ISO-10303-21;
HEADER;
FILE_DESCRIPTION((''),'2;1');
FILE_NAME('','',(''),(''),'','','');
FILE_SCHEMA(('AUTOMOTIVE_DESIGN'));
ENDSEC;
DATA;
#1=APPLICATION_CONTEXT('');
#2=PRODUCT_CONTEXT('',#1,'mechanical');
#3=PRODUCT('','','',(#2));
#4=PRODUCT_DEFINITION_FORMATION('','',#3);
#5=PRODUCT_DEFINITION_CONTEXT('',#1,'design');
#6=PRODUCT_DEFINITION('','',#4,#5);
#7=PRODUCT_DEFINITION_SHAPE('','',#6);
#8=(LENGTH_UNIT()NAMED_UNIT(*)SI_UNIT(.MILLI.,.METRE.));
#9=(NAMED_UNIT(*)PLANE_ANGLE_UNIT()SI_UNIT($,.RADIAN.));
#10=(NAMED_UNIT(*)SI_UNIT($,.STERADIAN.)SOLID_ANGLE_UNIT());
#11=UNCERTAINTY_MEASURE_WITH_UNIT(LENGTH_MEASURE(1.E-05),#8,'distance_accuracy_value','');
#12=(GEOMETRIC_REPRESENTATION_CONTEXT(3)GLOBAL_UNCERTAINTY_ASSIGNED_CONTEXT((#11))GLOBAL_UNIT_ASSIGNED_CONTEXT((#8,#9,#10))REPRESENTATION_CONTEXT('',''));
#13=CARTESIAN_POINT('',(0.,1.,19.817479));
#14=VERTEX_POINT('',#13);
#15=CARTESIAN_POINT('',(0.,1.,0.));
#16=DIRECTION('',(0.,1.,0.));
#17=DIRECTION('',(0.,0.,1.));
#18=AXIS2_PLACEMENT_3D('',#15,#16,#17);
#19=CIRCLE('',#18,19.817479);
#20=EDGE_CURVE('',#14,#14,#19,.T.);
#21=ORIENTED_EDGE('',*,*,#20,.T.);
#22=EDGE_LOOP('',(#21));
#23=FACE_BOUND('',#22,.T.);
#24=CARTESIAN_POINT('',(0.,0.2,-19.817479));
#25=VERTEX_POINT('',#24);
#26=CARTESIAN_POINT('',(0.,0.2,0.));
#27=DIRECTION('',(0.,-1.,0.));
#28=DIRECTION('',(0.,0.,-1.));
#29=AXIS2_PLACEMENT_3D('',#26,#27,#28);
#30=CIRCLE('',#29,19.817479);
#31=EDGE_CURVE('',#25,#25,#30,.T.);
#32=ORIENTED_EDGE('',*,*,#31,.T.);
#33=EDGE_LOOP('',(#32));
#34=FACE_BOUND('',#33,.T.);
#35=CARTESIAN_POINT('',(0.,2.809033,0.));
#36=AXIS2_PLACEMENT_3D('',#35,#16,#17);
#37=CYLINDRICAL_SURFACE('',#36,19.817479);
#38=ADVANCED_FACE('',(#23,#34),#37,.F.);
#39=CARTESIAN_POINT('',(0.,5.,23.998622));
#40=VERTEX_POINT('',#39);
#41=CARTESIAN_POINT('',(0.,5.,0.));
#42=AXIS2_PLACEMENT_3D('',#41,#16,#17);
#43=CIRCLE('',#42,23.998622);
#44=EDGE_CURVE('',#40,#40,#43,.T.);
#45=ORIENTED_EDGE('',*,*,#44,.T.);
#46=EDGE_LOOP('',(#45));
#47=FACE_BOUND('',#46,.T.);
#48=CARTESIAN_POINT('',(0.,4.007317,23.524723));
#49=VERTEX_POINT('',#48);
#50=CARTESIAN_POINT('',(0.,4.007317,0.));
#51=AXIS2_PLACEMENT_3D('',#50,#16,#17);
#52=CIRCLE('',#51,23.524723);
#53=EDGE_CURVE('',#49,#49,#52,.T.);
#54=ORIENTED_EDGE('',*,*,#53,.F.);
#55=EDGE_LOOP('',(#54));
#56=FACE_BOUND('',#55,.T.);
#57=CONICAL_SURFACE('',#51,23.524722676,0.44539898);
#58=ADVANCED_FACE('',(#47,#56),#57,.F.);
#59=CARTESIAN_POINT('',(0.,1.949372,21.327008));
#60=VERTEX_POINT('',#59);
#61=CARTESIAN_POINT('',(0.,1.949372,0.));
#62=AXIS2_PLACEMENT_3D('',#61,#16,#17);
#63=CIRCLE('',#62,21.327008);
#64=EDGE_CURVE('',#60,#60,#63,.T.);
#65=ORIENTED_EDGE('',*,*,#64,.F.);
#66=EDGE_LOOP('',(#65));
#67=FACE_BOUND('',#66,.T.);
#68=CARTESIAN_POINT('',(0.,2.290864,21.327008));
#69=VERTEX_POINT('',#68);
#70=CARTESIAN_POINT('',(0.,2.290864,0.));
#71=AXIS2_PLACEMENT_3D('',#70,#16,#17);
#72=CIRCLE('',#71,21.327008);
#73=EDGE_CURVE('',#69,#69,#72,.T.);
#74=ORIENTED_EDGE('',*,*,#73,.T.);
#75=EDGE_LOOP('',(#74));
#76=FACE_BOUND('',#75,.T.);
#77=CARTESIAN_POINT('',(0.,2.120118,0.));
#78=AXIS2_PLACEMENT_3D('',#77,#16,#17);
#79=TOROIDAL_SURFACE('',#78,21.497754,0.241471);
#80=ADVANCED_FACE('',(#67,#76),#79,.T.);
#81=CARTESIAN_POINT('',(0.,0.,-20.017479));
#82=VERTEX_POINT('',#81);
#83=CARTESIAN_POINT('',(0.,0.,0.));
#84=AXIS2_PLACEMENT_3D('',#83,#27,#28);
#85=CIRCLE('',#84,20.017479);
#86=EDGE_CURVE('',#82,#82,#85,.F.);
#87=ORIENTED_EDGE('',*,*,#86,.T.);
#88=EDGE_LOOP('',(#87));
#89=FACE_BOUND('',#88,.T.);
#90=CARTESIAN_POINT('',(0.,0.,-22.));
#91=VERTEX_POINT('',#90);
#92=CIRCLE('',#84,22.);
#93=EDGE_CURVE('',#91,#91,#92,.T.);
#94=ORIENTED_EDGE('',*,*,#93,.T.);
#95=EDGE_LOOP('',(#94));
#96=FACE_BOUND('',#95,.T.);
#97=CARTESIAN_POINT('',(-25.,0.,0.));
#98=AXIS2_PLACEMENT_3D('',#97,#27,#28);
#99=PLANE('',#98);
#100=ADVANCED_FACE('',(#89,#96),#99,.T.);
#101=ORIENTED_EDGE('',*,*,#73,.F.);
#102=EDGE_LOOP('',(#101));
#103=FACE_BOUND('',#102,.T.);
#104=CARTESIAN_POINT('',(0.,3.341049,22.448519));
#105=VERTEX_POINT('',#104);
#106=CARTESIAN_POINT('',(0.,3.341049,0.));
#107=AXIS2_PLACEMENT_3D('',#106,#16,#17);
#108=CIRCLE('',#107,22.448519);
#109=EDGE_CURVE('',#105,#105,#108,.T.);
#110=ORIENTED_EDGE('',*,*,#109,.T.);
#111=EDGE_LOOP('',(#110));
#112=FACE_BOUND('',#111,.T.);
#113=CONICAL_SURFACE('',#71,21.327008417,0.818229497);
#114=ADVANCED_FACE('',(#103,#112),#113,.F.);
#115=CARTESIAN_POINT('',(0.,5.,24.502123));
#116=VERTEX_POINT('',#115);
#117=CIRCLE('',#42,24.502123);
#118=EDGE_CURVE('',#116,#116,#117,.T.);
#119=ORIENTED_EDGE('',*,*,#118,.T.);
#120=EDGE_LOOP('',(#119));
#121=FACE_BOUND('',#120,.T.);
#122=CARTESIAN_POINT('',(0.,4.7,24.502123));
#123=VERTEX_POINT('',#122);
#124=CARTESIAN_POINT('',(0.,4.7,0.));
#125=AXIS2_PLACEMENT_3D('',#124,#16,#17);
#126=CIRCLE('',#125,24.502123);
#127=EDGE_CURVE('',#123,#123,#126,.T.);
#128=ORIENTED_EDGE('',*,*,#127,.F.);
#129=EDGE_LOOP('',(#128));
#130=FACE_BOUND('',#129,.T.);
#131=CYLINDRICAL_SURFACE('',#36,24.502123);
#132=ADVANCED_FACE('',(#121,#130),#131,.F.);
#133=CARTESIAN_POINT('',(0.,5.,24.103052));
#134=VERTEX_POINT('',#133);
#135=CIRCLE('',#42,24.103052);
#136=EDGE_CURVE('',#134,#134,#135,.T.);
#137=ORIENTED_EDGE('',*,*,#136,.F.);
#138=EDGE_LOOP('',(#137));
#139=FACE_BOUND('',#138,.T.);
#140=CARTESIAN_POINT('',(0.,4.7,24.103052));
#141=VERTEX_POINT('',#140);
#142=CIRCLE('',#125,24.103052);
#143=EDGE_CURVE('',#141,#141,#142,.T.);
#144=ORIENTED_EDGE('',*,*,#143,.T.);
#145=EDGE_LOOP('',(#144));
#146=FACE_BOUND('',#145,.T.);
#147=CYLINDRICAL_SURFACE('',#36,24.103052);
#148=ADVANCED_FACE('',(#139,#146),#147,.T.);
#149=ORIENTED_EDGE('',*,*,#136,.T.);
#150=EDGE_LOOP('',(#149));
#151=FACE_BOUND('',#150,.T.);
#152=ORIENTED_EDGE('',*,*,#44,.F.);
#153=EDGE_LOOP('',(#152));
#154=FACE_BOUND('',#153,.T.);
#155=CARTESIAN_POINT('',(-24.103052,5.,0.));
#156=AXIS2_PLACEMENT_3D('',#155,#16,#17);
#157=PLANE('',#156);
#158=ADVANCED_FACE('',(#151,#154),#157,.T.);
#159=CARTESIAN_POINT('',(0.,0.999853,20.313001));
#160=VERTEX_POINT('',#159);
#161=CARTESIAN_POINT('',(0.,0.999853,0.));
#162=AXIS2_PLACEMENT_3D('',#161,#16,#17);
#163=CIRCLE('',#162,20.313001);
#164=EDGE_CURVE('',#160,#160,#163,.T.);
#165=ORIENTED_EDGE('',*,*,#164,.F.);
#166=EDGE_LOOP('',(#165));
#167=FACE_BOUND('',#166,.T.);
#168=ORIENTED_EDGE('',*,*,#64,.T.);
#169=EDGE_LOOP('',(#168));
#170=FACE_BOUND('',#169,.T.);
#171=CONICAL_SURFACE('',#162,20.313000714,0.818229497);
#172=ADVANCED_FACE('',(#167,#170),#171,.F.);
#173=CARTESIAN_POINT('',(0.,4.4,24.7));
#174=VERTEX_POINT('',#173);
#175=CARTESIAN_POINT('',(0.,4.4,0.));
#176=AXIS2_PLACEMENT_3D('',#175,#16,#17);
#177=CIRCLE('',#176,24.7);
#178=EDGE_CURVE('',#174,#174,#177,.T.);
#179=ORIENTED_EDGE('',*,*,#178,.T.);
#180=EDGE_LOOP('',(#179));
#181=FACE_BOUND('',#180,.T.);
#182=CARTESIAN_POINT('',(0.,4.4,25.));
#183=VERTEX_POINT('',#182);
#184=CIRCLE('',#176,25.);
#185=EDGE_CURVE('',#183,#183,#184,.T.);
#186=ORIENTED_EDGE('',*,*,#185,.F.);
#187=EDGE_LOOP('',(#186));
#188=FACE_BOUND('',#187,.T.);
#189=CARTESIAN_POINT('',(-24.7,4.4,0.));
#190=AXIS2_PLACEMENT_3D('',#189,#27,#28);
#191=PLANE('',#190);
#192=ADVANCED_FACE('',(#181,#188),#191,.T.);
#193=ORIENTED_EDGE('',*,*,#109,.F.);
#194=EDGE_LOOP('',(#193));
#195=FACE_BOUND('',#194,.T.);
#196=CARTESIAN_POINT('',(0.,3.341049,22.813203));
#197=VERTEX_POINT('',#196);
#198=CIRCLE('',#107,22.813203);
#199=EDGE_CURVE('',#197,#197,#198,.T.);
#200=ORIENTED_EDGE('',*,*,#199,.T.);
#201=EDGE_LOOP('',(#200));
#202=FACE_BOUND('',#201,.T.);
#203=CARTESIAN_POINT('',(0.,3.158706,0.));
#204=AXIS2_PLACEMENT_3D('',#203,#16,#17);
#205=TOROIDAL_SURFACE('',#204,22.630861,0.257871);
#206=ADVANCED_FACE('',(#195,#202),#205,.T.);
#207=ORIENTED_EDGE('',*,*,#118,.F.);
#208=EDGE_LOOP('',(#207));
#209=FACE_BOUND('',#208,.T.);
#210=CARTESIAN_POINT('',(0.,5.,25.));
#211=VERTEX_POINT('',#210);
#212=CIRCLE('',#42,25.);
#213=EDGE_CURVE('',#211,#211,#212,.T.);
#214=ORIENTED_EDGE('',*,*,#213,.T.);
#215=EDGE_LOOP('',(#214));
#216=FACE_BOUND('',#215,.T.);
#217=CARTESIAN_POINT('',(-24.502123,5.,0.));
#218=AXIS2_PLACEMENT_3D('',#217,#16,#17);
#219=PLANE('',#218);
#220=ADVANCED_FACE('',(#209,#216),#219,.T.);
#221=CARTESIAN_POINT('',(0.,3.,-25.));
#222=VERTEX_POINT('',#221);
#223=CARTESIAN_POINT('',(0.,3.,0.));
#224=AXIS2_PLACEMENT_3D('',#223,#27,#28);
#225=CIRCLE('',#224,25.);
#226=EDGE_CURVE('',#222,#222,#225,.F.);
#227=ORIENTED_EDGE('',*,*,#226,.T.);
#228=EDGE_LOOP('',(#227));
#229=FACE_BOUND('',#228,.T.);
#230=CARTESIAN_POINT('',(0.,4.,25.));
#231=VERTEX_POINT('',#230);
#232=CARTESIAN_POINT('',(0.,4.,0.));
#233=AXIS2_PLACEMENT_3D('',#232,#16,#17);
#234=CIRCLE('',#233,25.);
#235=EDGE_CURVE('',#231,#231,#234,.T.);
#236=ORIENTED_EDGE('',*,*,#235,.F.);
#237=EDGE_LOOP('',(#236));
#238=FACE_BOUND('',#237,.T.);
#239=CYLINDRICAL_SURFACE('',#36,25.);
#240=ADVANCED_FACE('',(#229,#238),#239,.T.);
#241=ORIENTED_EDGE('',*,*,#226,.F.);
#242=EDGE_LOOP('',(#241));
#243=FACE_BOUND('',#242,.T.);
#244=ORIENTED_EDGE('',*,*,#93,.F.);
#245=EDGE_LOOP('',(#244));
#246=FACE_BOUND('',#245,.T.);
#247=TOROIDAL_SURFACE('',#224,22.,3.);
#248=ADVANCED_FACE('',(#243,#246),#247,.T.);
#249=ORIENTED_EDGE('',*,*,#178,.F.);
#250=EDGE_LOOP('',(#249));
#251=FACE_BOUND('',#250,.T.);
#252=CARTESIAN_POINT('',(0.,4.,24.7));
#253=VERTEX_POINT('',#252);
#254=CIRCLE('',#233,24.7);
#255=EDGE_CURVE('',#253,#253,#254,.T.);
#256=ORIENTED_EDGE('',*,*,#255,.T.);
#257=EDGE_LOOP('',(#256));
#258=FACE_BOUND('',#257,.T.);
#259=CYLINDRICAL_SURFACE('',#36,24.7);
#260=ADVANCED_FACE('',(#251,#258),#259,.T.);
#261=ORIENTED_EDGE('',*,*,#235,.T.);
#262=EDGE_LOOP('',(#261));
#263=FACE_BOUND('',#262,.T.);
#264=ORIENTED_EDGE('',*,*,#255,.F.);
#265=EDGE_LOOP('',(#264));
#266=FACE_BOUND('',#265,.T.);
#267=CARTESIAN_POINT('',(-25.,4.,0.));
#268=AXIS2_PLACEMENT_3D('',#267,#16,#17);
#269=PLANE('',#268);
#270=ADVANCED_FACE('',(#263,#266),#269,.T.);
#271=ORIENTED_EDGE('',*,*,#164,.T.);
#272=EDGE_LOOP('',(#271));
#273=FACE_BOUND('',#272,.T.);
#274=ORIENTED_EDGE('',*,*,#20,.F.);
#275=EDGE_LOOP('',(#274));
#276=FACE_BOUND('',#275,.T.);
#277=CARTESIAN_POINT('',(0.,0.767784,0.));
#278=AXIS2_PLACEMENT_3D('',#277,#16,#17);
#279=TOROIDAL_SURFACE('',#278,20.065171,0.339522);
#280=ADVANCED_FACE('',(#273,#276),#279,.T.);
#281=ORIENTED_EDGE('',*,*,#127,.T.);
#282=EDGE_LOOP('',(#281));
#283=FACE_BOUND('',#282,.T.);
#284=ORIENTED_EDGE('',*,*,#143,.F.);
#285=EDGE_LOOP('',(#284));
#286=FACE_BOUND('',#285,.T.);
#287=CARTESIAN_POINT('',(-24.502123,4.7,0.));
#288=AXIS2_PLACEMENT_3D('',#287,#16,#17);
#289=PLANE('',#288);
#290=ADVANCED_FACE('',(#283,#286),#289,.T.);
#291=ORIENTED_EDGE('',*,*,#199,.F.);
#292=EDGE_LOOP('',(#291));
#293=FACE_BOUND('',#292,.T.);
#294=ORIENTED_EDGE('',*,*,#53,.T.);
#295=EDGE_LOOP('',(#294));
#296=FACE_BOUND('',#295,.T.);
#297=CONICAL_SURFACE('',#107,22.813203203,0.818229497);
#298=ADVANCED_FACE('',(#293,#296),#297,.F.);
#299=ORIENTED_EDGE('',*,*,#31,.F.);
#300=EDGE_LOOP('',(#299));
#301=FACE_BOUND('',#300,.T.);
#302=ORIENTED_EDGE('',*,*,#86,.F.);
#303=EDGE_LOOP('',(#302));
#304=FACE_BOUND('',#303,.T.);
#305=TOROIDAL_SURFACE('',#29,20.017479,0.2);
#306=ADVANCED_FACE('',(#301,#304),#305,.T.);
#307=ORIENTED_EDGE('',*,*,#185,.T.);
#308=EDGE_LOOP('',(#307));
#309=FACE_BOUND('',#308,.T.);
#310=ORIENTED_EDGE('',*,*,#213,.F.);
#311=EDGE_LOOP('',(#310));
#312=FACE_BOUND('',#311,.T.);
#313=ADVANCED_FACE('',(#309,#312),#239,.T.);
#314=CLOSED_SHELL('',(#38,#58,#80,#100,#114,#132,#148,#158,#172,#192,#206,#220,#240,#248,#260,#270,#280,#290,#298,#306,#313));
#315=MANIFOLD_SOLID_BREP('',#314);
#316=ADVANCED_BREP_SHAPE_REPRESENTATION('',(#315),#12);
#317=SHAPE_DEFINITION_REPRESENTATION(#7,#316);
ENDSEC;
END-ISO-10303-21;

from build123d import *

# Parameters (mm, degrees)
FILLET1_R = 3
FILLET2_R = 0.2


with BuildPart() as part:
    # Sketch1 → Revolve1 (revolve)
    with BuildSketch(Plane.XY, mode=Mode.PRIVATE) as revolve1_sk:
        with BuildLine():
            Line((-25, 0), (-25, 4))
            Line((-25, 4), (-24.7, 4))
            Line((-24.7, 4), (-24.7, 4.4))
            Line((-24.7, 4.4), (-25, 4.4))
            Line((-25, 4.4), (-25, 5))
            Line((-25, 5), (-24.50212285, 5))
            Line((-24.50212285, 5), (-24.50212285, 4.7))
            Line((-24.50212285, 4.7), (-24.103052157, 4.7))
            Line((-24.103052157, 4.7), (-24.103052157, 5))
            Line((-24.103052157, 5), (-23.998622443, 5))
            Line((-23.998622443, 5), (-23.524722676, 4.007317266))
            Line((-23.524722676, 4.007317266), (-22.813203203, 3.341048672))
            ThreePointArc((-22.813203203, 3.341048672), (-22.63086099, 3.41657729), (-22.448518777, 3.341048672))
            Line((-22.448518777, 3.341048672), (-21.327008417, 2.290863599))
            ThreePointArc((-21.327008417, 2.290863599), (-21.256283233, 2.120117899), (-21.327008417, 1.9493722))
            Line((-21.327008417, 1.9493722), (-20.313000714, 0.999852879))
            ThreePointArc((-20.313000714, 0.999852879), (-20.065271662, 1.107306717), (-19.817478847, 1))
            Line((-19.817478847, 1), (-19.817478847, 0))
            Line((-19.817478847, 0), (-25, 0))
        make_face()
    revolve(revolve1_sk.sketch.rotate(Axis((0, 2.809033385, 0), (0, -1, 0)), 270), axis=Axis((0, 2.809033385, 0), (0, -1, 0)))

    # Fillet1
    fillet1_edges = [part.edges().sort_by_distance(p)[0] for p in [
        (0, 0, -25),
    ]]
    fillet(fillet1_edges, radius=FILLET1_R)

    # Fillet2
    fillet2_edges = [part.edges().sort_by_distance(p)[0] for p in [
        (0, 0, -19.817478847),
    ]]
    fillet(fillet2_edges, radius=FILLET2_R)


solid = part.part
